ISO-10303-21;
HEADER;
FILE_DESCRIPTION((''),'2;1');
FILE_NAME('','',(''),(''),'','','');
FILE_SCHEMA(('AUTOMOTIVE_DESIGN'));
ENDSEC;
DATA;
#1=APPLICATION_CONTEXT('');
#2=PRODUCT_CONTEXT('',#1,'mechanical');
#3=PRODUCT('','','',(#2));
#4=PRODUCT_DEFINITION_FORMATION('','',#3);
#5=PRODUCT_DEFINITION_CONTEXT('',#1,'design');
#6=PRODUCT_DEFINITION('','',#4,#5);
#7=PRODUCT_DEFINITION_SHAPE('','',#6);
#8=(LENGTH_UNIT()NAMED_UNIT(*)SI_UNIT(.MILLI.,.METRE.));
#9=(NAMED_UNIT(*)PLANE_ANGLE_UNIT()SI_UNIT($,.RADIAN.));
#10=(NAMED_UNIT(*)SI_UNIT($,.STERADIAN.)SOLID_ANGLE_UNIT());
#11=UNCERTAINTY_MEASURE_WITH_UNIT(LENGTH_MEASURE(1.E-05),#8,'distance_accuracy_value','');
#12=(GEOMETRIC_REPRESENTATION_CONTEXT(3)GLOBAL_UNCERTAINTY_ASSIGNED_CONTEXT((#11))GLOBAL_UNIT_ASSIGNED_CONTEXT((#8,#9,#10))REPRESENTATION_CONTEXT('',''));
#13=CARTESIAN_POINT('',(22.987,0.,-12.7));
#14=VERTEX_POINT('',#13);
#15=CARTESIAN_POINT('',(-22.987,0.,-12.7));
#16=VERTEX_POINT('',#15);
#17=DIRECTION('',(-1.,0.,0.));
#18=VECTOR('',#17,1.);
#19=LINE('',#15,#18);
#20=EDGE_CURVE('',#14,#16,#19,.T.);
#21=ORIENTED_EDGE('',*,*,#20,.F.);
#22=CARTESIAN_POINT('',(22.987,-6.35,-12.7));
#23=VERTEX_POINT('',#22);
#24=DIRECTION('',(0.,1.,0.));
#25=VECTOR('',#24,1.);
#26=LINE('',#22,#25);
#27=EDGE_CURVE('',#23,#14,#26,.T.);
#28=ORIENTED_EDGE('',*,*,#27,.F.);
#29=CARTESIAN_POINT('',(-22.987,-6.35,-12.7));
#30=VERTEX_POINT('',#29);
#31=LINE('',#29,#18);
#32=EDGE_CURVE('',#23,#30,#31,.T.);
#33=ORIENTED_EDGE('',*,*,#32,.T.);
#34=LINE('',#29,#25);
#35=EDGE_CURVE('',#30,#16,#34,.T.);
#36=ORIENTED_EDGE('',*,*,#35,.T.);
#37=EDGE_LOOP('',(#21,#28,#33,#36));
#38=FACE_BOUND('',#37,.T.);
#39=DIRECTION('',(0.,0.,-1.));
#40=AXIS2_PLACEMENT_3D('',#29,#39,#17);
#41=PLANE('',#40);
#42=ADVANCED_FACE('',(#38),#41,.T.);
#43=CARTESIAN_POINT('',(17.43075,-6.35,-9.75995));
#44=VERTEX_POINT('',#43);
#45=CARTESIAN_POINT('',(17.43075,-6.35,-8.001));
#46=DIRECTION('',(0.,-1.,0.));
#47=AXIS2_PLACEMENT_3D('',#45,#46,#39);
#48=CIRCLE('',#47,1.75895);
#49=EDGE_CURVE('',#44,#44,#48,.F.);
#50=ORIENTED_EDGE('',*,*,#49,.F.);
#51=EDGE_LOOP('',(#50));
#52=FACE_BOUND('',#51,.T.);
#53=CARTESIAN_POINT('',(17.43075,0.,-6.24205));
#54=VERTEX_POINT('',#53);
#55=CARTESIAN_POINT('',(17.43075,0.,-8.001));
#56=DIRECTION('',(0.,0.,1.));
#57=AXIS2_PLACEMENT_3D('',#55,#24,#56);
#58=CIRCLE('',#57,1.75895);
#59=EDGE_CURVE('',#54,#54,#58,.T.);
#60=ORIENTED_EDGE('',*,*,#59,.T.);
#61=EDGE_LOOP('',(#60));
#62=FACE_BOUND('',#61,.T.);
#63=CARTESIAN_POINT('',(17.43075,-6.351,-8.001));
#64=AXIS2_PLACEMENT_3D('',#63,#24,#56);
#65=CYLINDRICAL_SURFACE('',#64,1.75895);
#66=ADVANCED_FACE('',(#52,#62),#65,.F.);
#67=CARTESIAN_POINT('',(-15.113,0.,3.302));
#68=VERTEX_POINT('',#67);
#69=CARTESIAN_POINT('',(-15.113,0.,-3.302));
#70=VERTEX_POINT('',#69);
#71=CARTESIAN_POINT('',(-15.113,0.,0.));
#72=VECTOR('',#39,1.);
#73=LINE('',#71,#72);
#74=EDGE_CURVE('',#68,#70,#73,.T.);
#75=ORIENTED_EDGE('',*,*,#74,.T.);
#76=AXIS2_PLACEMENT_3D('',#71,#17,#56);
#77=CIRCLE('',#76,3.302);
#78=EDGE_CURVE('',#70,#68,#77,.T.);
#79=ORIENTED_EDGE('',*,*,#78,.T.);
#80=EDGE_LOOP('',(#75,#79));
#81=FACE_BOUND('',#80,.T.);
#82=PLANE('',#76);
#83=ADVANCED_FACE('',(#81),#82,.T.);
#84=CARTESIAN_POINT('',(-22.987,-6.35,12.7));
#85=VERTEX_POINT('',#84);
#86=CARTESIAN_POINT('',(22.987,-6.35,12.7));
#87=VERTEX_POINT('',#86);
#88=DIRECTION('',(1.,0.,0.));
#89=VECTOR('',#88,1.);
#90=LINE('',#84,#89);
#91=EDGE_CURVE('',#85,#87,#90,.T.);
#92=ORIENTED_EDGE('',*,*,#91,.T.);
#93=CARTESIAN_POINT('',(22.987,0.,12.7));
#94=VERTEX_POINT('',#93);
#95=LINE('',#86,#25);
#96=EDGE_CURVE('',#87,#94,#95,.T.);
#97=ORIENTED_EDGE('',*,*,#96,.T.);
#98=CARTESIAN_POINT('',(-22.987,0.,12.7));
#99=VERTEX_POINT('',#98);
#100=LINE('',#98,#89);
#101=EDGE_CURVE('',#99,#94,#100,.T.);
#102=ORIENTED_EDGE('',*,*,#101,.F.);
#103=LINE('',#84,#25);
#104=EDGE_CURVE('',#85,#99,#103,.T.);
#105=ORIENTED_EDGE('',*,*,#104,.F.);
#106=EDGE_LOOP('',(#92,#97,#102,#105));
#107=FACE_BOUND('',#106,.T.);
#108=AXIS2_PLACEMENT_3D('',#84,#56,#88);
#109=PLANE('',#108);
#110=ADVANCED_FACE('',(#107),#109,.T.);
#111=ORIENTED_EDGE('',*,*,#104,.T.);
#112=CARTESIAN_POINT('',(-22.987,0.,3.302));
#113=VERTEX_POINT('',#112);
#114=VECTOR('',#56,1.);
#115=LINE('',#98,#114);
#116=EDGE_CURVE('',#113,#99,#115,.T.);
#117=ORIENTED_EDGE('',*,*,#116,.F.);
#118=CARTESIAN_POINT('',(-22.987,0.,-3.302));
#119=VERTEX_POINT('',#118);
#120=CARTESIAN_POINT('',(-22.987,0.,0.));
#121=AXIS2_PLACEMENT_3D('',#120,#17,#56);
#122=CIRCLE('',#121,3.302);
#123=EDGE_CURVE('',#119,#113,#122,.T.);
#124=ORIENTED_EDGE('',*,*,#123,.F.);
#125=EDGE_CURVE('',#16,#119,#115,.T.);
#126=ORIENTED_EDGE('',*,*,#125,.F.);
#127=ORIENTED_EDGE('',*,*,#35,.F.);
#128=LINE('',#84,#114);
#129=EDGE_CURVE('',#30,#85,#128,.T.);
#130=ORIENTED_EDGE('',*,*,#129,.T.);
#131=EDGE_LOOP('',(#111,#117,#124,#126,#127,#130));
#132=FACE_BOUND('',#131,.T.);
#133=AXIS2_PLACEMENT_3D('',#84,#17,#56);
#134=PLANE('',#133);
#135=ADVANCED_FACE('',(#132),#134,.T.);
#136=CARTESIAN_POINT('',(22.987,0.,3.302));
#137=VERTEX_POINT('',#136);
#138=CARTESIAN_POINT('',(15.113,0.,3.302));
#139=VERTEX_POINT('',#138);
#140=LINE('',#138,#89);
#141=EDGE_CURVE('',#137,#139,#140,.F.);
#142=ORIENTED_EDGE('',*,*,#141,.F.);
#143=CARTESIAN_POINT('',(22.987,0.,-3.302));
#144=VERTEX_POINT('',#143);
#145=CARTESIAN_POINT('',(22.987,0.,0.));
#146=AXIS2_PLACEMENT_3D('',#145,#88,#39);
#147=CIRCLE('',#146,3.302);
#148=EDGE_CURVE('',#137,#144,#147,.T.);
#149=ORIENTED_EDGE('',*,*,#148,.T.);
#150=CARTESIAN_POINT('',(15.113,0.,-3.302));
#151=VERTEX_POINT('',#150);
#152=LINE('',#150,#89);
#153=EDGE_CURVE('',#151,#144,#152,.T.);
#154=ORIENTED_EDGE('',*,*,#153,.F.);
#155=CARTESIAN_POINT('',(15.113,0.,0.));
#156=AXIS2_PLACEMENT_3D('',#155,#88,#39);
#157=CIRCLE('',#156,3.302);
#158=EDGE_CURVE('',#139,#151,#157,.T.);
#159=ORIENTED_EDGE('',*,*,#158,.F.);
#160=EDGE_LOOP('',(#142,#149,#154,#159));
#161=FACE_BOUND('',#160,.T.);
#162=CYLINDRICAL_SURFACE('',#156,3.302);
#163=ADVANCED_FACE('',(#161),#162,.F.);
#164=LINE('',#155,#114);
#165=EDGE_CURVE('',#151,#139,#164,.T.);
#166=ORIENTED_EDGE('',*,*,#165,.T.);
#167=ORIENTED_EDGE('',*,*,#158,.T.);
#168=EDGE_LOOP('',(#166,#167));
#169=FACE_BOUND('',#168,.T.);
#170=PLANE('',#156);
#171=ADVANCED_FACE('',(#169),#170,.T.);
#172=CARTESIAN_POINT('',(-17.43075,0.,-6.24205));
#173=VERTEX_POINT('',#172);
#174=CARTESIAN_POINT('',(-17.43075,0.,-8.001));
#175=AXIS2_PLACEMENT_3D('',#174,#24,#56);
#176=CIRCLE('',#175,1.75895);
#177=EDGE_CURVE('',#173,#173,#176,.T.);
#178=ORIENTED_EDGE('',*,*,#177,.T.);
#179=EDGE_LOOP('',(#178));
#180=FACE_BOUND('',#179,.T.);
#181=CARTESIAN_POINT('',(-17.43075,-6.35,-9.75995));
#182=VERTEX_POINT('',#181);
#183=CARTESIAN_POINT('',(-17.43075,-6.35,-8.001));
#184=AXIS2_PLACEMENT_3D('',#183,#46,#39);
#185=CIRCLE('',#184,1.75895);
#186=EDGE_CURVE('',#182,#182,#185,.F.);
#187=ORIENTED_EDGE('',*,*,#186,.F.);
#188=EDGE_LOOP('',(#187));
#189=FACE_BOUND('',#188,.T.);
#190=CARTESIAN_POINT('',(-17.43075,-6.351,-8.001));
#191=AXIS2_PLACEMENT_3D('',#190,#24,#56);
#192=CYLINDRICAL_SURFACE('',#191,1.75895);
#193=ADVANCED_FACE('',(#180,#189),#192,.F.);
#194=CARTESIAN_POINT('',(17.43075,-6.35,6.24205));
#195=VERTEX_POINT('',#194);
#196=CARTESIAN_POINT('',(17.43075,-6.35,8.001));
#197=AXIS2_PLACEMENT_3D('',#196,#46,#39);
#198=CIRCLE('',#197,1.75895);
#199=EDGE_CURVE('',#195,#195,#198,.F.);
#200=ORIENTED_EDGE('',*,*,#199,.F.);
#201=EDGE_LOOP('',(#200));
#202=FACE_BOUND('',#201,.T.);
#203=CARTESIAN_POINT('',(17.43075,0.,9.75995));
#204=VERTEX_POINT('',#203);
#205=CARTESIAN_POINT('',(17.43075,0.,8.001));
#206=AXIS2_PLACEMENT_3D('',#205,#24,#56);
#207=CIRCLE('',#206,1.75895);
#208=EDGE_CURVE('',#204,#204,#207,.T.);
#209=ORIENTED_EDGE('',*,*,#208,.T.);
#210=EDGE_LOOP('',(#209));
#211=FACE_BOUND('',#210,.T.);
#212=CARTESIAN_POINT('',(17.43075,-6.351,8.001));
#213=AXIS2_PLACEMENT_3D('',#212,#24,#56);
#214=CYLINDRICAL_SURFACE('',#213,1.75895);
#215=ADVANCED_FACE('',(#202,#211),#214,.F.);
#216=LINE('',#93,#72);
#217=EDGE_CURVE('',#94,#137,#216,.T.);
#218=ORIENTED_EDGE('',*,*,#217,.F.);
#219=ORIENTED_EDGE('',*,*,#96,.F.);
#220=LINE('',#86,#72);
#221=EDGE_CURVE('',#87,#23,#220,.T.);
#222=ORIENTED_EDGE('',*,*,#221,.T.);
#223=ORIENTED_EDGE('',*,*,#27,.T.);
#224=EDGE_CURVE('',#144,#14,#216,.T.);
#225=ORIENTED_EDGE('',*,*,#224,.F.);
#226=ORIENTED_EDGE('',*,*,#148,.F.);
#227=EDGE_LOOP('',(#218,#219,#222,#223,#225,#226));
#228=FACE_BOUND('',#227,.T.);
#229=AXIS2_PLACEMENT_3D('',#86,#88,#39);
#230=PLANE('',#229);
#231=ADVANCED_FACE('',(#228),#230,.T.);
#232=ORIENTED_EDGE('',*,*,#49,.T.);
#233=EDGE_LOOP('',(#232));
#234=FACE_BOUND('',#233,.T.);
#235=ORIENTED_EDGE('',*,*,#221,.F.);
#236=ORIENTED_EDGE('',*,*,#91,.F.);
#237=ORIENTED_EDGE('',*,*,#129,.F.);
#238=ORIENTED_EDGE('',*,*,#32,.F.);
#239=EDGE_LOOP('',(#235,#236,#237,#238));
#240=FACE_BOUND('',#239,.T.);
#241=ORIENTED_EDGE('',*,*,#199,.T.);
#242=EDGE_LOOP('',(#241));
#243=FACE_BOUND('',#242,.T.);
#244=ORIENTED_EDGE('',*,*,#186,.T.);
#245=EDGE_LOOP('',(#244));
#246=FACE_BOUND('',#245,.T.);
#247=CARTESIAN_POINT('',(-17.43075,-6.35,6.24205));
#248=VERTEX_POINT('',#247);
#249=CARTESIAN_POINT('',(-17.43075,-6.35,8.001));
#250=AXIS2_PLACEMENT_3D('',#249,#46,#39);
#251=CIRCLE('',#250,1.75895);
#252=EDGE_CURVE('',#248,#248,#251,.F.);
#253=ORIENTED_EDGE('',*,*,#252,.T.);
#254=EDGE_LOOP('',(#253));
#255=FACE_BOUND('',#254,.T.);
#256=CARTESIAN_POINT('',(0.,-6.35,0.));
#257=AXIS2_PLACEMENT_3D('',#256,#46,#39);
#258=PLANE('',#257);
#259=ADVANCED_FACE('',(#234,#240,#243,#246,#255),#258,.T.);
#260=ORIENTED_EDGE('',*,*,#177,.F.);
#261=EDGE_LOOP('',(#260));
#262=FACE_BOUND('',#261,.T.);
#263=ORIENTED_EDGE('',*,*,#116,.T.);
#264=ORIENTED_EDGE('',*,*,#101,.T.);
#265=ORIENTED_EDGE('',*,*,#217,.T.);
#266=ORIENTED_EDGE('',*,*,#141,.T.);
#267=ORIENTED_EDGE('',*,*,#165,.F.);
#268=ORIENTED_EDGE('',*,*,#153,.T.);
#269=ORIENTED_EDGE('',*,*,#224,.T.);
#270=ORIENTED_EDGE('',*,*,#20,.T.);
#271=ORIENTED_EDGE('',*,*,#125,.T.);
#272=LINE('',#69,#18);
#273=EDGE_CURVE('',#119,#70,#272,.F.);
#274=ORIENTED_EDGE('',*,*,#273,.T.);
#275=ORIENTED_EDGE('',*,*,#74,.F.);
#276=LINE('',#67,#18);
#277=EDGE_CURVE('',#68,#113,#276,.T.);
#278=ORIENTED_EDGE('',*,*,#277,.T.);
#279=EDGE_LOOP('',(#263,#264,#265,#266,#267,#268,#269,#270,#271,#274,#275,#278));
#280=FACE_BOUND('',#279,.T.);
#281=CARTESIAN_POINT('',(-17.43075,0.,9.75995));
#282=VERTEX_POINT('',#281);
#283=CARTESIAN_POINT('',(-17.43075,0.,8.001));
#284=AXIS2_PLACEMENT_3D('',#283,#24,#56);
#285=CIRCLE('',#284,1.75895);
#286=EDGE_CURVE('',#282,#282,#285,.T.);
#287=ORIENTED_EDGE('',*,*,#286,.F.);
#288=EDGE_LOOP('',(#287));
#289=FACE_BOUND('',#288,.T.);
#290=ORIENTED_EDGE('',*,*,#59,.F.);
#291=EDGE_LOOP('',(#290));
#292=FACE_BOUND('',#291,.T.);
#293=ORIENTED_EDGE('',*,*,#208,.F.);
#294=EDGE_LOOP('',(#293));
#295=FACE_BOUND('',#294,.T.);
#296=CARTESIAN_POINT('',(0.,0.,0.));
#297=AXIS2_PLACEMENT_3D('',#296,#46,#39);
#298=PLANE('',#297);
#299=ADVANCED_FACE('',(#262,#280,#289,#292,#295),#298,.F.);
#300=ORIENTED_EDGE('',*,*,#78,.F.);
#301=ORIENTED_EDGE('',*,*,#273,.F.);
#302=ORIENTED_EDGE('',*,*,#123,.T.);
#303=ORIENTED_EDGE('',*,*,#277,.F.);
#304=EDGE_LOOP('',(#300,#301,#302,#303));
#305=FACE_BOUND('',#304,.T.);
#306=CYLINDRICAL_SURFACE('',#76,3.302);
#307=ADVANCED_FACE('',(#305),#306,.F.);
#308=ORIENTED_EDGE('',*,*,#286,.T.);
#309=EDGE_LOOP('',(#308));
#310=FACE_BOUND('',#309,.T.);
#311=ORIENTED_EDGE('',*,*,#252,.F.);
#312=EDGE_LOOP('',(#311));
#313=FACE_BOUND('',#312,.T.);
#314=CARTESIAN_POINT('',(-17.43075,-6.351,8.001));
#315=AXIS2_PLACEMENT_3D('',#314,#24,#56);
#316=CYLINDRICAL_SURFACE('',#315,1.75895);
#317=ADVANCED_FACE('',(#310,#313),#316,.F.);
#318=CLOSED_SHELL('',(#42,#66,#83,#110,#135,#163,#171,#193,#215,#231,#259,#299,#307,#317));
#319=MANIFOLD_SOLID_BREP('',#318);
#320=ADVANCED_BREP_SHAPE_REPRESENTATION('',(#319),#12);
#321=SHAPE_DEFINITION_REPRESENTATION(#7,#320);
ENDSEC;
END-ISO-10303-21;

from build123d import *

# Parameters (mm, degrees)
SKETCH1_W           = 45.974
SKETCH1_H           = 25.4
BOSS_EXTRUDE1_DEPTH = 6.35
SKETCH2_R           = 3.302
CUT_EXTRUDE1_DEPTH  = 7.874
CUT_EXTRUDE2_START  = -7.874
SKETCH3_R           = 3.302
CUT_EXTRUDE2_DEPTH  = 7.874
CUT_EXTRUDE11_REACH = 29.019
SKETCH4_R           = 1.75895


with BuildPart() as part:
    # Sketch1 → Boss-Extrude1 (new body)
    with BuildSketch(Plane(origin=(0, 0, 0), x_dir=(1, 0, 0), z_dir=(0, 1, 0))):
        Rectangle(SKETCH1_W, SKETCH1_H)
    extrude(amount=-BOSS_EXTRUDE1_DEPTH)

    # Sketch2 → Cut-Extrude1 (cut)
    with BuildSketch(Plane(origin=(22.987, 0, 0), x_dir=(0, 0, -1), z_dir=(1, 0, 0))):
        Circle(SKETCH2_R)
    extrude(amount=-CUT_EXTRUDE1_DEPTH, mode=Mode.SUBTRACT)

    # Sketch3 → Cut-Extrude2 (cut)
    with BuildSketch(Plane.ZY.offset(22.987).offset(CUT_EXTRUDE2_START)):
        Circle(SKETCH3_R)
    extrude(amount=CUT_EXTRUDE2_DEPTH, mode=Mode.SUBTRACT)

    # Sketch4 → Cut-Extrude11 (cut, up to next)
    with BuildSketch(Plane(origin=(0, 0, 0), x_dir=(1, 0, 0), z_dir=(0, 1, 0)), mode=Mode.PRIVATE) as cut_extrude11_sk1:
        with Locations(Location((17.43075, -8.001, 0), (0, 0, 270))):
            Circle(SKETCH4_R)
    cut_extrude11_tool1 = extrude(cut_extrude11_sk1.sketch, amount=-CUT_EXTRUDE11_REACH, mode=Mode.PRIVATE) & part.part
    # Sketch4 → Cut-Extrude11 (cut, up to next)
    with BuildSketch(Plane(origin=(0, 0, 0), x_dir=(1, 0, 0), z_dir=(0, 1, 0)), mode=Mode.PRIVATE) as cut_extrude11_sk2:
        with Locations(Location((17.43075, 8.001, 0), (0, 0, 270))):
            Circle(SKETCH4_R)
    cut_extrude11_tool2 = extrude(cut_extrude11_sk2.sketch, amount=-CUT_EXTRUDE11_REACH, mode=Mode.PRIVATE) & part.part
    # Sketch4 → Cut-Extrude11 (cut, up to next)
    with BuildSketch(Plane(origin=(0, 0, 0), x_dir=(1, 0, 0), z_dir=(0, 1, 0)), mode=Mode.PRIVATE) as cut_extrude11_sk3:
        with Locations(Location((-17.43075, 8.001, 0), (0, 0, 270))):
            Circle(SKETCH4_R)
    cut_extrude11_tool3 = extrude(cut_extrude11_sk3.sketch, amount=-CUT_EXTRUDE11_REACH, mode=Mode.PRIVATE) & part.part
    # Sketch4 → Cut-Extrude11 (cut, up to next)
    with BuildSketch(Plane(origin=(0, 0, 0), x_dir=(1, 0, 0), z_dir=(0, 1, 0)), mode=Mode.PRIVATE) as cut_extrude11_sk4:
        with Locations(Location((-17.43075, -8.001, 0), (0, 0, 270))):
            Circle(SKETCH4_R)
    cut_extrude11_tool4 = extrude(cut_extrude11_sk4.sketch, amount=-CUT_EXTRUDE11_REACH, mode=Mode.PRIVATE) & part.part
    add(cut_extrude11_tool1.solids().sort_by_distance((17.43075, 0, 8.001))[0], mode=Mode.SUBTRACT)
    add(cut_extrude11_tool2.solids().sort_by_distance((17.43075, 0, -8.001))[0], mode=Mode.SUBTRACT)
    add(cut_extrude11_tool3.solids().sort_by_distance((-17.43075, 0, -8.001))[0], mode=Mode.SUBTRACT)
    add(cut_extrude11_tool4.solids().sort_by_distance((-17.43075, 0, 8.001))[0], mode=Mode.SUBTRACT)


solid = part.part
